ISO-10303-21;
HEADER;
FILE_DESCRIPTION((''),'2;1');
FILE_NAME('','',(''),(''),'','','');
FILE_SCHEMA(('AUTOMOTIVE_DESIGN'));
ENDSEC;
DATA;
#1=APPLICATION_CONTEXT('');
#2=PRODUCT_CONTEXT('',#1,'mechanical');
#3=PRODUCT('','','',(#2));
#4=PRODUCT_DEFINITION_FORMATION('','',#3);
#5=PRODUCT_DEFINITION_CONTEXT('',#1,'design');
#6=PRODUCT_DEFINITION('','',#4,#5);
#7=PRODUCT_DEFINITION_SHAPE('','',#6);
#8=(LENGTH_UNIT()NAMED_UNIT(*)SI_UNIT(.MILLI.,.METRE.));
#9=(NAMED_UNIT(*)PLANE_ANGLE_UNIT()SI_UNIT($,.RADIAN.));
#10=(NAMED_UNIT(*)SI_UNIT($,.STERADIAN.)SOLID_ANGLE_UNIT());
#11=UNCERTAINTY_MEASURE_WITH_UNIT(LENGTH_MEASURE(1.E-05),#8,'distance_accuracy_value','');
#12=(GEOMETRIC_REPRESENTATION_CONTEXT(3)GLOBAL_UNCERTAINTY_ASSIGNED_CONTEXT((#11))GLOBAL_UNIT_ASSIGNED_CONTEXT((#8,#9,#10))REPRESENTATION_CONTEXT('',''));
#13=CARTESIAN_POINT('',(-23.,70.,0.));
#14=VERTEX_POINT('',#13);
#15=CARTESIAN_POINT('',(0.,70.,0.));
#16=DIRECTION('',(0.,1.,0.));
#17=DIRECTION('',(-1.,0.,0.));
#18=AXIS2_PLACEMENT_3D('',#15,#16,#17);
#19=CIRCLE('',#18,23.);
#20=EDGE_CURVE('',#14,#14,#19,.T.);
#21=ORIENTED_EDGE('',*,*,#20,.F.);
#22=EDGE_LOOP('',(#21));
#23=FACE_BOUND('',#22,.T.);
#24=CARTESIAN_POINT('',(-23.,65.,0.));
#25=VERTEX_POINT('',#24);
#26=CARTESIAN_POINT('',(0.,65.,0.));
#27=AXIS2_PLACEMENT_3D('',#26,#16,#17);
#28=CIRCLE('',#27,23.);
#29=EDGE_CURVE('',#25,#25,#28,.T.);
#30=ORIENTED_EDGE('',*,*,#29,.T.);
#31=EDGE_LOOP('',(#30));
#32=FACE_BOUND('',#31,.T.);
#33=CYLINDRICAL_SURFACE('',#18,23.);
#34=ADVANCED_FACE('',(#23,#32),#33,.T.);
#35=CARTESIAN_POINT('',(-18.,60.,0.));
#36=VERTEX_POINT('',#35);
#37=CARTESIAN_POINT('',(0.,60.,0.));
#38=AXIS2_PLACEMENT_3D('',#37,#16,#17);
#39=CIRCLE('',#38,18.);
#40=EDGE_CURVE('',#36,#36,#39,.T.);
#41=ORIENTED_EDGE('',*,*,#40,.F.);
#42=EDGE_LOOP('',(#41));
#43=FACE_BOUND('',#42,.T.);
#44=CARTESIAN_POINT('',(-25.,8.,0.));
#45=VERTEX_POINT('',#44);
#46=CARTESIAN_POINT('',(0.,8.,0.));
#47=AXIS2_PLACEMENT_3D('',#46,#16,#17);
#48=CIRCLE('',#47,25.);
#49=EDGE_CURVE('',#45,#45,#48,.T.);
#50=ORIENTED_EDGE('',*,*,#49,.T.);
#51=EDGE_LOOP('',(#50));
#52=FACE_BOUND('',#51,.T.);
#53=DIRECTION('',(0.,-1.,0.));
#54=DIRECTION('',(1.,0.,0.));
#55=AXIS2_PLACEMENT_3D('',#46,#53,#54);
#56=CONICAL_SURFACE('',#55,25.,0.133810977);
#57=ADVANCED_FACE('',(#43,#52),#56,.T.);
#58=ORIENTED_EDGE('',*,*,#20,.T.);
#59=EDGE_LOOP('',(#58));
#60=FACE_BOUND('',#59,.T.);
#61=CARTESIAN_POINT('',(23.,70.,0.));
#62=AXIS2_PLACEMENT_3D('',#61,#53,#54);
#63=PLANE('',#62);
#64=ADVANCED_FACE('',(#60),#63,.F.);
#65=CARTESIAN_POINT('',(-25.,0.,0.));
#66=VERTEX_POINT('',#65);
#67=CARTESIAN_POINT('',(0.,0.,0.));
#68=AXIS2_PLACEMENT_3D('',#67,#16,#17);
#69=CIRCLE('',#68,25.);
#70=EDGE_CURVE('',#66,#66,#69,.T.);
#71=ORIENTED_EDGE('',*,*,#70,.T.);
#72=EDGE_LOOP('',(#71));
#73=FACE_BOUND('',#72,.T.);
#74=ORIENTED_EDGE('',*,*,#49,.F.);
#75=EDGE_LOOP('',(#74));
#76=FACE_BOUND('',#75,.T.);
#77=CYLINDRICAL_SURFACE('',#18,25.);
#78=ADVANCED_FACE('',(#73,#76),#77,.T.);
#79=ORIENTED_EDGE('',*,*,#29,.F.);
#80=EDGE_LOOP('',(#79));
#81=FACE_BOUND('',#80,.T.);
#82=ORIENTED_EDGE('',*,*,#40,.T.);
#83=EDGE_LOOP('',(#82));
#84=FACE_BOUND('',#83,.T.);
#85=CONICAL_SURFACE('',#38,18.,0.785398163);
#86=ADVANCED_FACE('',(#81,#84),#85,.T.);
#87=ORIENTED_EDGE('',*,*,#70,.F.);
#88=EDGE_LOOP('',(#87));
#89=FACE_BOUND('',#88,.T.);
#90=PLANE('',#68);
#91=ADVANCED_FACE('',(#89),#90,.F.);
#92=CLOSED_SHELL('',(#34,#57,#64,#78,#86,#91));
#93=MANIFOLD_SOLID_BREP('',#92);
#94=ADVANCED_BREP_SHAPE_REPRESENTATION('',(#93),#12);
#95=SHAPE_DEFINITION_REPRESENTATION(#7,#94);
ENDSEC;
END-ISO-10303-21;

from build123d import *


with BuildPart() as part:
    # 草图1 → 旋转1 (revolve)
    with BuildSketch(Plane.XY, mode=Mode.PRIVATE) as revolve_1_sk:
        Polygon((0, 0), (25, 0), (25, 8), (18, 60), (23, 65), (23, 70), (0, 70), align=None)
    revolve(revolve_1_sk.sketch.rotate(Axis((0, 70, 0), (0, -1, 0)), 180), axis=Axis((0, 70, 0), (0, -1, 0)))


solid = part.part
